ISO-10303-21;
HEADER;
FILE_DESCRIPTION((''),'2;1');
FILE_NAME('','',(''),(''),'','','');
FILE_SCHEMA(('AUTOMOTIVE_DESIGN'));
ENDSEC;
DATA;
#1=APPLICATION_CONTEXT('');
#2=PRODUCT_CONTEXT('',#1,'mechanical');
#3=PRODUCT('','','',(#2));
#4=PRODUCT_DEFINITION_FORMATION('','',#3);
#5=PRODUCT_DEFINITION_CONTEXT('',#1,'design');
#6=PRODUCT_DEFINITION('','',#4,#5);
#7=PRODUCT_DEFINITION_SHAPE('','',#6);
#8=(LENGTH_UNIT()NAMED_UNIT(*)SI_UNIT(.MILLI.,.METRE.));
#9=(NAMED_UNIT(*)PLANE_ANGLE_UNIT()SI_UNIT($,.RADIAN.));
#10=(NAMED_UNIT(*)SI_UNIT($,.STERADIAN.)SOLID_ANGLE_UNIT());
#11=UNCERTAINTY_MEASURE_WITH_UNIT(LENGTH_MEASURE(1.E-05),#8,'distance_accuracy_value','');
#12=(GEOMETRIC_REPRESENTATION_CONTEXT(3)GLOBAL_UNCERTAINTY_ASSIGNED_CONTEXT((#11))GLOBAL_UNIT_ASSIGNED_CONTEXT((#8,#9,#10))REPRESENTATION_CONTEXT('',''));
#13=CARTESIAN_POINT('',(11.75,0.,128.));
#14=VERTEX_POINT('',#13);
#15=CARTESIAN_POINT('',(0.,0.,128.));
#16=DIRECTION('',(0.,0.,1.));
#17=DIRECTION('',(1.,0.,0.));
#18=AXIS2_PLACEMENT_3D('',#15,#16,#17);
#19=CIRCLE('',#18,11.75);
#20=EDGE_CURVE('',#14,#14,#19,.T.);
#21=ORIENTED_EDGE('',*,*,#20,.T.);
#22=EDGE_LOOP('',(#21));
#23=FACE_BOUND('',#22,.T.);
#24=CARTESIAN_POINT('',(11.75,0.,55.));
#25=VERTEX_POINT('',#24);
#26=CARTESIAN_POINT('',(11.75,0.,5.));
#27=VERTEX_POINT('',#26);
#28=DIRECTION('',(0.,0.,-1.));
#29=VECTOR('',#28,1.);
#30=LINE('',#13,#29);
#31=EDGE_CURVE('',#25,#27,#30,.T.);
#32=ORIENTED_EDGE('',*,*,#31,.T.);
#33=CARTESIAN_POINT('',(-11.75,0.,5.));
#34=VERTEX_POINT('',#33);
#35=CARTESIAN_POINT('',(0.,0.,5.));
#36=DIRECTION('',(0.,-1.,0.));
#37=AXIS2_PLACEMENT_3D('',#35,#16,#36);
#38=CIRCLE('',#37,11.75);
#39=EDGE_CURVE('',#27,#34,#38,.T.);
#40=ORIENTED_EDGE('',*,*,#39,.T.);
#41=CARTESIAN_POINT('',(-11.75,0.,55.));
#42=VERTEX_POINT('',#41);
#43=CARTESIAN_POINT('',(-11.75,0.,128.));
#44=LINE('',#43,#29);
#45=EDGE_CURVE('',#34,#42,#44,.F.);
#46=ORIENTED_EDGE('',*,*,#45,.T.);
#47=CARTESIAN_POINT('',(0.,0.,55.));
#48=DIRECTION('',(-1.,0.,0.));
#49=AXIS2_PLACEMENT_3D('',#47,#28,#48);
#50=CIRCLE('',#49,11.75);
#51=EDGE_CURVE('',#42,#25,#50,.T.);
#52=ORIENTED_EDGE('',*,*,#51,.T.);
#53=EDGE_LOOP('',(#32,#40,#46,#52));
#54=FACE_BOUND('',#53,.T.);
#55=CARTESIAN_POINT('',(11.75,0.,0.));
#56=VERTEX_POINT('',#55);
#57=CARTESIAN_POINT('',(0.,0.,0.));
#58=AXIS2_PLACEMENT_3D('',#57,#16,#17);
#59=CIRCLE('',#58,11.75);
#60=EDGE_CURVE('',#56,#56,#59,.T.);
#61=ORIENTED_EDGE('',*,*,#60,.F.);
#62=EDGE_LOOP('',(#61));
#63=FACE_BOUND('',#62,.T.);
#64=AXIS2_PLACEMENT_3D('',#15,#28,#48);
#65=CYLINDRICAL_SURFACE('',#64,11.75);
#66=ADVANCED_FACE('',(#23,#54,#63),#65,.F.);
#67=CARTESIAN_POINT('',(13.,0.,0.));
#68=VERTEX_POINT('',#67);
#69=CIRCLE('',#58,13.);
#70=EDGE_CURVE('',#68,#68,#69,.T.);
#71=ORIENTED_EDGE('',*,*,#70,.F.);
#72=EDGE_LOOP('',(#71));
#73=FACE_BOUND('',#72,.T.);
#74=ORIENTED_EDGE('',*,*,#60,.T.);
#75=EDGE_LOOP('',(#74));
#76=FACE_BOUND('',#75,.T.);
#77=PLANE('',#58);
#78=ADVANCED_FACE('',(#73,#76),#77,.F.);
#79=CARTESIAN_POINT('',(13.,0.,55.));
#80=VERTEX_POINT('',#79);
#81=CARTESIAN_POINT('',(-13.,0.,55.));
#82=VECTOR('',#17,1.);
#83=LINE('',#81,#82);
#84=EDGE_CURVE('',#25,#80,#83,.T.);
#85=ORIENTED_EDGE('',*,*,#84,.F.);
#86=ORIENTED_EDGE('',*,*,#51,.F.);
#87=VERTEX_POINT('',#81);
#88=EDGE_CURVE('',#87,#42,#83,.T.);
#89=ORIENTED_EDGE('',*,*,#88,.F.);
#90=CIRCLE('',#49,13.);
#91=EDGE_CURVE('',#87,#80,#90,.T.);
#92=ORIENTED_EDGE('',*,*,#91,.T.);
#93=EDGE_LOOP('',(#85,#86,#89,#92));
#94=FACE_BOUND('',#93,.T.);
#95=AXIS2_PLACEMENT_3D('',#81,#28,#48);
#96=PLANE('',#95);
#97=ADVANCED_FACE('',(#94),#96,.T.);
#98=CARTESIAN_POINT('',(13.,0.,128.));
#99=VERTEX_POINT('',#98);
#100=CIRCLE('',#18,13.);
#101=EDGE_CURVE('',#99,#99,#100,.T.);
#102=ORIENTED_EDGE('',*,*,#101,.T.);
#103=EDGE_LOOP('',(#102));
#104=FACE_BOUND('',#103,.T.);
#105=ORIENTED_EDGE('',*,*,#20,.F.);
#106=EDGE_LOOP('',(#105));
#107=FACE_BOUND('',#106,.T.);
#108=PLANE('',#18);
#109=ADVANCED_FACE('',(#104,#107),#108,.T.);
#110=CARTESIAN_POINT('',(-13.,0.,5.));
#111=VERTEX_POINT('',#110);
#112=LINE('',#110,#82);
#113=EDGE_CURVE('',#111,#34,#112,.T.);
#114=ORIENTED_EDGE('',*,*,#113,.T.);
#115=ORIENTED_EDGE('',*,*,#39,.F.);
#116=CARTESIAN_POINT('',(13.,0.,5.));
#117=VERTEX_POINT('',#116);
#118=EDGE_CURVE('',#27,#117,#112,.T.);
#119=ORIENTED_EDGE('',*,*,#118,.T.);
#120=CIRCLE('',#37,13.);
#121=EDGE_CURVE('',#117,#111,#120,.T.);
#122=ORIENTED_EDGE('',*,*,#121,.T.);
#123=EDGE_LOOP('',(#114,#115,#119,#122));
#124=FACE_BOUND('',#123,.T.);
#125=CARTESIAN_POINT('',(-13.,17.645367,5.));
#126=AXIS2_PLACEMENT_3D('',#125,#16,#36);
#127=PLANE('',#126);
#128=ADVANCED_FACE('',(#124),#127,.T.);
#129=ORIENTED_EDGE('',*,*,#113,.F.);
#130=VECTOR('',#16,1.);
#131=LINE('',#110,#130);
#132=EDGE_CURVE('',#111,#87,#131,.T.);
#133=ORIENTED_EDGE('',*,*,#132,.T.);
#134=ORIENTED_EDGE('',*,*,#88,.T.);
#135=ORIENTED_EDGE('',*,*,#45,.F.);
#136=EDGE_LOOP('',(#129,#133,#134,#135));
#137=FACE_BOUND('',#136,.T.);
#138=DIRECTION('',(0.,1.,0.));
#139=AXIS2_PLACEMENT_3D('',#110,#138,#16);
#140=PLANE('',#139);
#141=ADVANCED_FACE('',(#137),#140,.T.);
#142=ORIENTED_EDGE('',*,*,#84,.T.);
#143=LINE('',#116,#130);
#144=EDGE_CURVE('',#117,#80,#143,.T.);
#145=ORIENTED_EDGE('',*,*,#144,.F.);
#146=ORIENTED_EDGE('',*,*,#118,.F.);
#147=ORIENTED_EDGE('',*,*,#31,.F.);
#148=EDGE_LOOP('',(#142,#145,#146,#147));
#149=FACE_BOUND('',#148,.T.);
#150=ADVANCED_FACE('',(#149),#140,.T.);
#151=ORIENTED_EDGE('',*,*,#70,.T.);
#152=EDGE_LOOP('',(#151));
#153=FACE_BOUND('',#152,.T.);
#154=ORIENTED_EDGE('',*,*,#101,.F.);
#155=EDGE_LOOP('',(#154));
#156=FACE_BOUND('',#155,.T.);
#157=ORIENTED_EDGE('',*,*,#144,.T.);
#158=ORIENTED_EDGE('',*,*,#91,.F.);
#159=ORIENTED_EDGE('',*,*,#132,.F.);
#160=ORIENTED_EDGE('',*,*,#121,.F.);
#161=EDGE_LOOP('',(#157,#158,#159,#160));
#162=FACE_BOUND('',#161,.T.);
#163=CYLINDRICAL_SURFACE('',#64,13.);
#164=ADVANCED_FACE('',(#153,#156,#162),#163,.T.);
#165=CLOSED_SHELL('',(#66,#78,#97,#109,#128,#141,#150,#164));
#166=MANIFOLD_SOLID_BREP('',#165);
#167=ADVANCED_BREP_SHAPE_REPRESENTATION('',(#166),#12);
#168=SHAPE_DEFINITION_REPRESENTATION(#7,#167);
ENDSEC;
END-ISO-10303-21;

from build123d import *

# Parameters (mm, degrees)
CROQUIS1_R                 = 13
CROQUIS1_R_2               = 11.75
SALIENTE_EXTRUIR1_DEPTH    = 128
CORTAR_EXTRUIR1_DEPTH      = 130.313572374
CORTAR_EXTRUIR1_DEPTH_BACK = 130.313572374
CROQUIS2_W                 = 50
CROQUIS2_H                 = 17.645366616


with BuildPart() as part:
    # Croquis1 → Saliente-Extruir1 (new body)
    with BuildSketch(Plane.XY):
        Circle(CROQUIS1_R)
        Circle(CROQUIS1_R_2, mode=Mode.SUBTRACT)
    extrude(amount=SALIENTE_EXTRUIR1_DEPTH)

    # Croquis2 → Cortar-Extruir1 (cut, two sides: drawn at the far end of the back side and taken through both)
    with BuildSketch(Plane(origin=(0, 0, 0), x_dir=(0, 0, -1), z_dir=(1, 0, 0)).offset(-CORTAR_EXTRUIR1_DEPTH_BACK)):
        with Locations((-30, 8.822683308)):
            Rectangle(CROQUIS2_W, CROQUIS2_H)
    extrude(amount=CORTAR_EXTRUIR1_DEPTH + CORTAR_EXTRUIR1_DEPTH_BACK, mode=Mode.SUBTRACT)


solid = part.part
